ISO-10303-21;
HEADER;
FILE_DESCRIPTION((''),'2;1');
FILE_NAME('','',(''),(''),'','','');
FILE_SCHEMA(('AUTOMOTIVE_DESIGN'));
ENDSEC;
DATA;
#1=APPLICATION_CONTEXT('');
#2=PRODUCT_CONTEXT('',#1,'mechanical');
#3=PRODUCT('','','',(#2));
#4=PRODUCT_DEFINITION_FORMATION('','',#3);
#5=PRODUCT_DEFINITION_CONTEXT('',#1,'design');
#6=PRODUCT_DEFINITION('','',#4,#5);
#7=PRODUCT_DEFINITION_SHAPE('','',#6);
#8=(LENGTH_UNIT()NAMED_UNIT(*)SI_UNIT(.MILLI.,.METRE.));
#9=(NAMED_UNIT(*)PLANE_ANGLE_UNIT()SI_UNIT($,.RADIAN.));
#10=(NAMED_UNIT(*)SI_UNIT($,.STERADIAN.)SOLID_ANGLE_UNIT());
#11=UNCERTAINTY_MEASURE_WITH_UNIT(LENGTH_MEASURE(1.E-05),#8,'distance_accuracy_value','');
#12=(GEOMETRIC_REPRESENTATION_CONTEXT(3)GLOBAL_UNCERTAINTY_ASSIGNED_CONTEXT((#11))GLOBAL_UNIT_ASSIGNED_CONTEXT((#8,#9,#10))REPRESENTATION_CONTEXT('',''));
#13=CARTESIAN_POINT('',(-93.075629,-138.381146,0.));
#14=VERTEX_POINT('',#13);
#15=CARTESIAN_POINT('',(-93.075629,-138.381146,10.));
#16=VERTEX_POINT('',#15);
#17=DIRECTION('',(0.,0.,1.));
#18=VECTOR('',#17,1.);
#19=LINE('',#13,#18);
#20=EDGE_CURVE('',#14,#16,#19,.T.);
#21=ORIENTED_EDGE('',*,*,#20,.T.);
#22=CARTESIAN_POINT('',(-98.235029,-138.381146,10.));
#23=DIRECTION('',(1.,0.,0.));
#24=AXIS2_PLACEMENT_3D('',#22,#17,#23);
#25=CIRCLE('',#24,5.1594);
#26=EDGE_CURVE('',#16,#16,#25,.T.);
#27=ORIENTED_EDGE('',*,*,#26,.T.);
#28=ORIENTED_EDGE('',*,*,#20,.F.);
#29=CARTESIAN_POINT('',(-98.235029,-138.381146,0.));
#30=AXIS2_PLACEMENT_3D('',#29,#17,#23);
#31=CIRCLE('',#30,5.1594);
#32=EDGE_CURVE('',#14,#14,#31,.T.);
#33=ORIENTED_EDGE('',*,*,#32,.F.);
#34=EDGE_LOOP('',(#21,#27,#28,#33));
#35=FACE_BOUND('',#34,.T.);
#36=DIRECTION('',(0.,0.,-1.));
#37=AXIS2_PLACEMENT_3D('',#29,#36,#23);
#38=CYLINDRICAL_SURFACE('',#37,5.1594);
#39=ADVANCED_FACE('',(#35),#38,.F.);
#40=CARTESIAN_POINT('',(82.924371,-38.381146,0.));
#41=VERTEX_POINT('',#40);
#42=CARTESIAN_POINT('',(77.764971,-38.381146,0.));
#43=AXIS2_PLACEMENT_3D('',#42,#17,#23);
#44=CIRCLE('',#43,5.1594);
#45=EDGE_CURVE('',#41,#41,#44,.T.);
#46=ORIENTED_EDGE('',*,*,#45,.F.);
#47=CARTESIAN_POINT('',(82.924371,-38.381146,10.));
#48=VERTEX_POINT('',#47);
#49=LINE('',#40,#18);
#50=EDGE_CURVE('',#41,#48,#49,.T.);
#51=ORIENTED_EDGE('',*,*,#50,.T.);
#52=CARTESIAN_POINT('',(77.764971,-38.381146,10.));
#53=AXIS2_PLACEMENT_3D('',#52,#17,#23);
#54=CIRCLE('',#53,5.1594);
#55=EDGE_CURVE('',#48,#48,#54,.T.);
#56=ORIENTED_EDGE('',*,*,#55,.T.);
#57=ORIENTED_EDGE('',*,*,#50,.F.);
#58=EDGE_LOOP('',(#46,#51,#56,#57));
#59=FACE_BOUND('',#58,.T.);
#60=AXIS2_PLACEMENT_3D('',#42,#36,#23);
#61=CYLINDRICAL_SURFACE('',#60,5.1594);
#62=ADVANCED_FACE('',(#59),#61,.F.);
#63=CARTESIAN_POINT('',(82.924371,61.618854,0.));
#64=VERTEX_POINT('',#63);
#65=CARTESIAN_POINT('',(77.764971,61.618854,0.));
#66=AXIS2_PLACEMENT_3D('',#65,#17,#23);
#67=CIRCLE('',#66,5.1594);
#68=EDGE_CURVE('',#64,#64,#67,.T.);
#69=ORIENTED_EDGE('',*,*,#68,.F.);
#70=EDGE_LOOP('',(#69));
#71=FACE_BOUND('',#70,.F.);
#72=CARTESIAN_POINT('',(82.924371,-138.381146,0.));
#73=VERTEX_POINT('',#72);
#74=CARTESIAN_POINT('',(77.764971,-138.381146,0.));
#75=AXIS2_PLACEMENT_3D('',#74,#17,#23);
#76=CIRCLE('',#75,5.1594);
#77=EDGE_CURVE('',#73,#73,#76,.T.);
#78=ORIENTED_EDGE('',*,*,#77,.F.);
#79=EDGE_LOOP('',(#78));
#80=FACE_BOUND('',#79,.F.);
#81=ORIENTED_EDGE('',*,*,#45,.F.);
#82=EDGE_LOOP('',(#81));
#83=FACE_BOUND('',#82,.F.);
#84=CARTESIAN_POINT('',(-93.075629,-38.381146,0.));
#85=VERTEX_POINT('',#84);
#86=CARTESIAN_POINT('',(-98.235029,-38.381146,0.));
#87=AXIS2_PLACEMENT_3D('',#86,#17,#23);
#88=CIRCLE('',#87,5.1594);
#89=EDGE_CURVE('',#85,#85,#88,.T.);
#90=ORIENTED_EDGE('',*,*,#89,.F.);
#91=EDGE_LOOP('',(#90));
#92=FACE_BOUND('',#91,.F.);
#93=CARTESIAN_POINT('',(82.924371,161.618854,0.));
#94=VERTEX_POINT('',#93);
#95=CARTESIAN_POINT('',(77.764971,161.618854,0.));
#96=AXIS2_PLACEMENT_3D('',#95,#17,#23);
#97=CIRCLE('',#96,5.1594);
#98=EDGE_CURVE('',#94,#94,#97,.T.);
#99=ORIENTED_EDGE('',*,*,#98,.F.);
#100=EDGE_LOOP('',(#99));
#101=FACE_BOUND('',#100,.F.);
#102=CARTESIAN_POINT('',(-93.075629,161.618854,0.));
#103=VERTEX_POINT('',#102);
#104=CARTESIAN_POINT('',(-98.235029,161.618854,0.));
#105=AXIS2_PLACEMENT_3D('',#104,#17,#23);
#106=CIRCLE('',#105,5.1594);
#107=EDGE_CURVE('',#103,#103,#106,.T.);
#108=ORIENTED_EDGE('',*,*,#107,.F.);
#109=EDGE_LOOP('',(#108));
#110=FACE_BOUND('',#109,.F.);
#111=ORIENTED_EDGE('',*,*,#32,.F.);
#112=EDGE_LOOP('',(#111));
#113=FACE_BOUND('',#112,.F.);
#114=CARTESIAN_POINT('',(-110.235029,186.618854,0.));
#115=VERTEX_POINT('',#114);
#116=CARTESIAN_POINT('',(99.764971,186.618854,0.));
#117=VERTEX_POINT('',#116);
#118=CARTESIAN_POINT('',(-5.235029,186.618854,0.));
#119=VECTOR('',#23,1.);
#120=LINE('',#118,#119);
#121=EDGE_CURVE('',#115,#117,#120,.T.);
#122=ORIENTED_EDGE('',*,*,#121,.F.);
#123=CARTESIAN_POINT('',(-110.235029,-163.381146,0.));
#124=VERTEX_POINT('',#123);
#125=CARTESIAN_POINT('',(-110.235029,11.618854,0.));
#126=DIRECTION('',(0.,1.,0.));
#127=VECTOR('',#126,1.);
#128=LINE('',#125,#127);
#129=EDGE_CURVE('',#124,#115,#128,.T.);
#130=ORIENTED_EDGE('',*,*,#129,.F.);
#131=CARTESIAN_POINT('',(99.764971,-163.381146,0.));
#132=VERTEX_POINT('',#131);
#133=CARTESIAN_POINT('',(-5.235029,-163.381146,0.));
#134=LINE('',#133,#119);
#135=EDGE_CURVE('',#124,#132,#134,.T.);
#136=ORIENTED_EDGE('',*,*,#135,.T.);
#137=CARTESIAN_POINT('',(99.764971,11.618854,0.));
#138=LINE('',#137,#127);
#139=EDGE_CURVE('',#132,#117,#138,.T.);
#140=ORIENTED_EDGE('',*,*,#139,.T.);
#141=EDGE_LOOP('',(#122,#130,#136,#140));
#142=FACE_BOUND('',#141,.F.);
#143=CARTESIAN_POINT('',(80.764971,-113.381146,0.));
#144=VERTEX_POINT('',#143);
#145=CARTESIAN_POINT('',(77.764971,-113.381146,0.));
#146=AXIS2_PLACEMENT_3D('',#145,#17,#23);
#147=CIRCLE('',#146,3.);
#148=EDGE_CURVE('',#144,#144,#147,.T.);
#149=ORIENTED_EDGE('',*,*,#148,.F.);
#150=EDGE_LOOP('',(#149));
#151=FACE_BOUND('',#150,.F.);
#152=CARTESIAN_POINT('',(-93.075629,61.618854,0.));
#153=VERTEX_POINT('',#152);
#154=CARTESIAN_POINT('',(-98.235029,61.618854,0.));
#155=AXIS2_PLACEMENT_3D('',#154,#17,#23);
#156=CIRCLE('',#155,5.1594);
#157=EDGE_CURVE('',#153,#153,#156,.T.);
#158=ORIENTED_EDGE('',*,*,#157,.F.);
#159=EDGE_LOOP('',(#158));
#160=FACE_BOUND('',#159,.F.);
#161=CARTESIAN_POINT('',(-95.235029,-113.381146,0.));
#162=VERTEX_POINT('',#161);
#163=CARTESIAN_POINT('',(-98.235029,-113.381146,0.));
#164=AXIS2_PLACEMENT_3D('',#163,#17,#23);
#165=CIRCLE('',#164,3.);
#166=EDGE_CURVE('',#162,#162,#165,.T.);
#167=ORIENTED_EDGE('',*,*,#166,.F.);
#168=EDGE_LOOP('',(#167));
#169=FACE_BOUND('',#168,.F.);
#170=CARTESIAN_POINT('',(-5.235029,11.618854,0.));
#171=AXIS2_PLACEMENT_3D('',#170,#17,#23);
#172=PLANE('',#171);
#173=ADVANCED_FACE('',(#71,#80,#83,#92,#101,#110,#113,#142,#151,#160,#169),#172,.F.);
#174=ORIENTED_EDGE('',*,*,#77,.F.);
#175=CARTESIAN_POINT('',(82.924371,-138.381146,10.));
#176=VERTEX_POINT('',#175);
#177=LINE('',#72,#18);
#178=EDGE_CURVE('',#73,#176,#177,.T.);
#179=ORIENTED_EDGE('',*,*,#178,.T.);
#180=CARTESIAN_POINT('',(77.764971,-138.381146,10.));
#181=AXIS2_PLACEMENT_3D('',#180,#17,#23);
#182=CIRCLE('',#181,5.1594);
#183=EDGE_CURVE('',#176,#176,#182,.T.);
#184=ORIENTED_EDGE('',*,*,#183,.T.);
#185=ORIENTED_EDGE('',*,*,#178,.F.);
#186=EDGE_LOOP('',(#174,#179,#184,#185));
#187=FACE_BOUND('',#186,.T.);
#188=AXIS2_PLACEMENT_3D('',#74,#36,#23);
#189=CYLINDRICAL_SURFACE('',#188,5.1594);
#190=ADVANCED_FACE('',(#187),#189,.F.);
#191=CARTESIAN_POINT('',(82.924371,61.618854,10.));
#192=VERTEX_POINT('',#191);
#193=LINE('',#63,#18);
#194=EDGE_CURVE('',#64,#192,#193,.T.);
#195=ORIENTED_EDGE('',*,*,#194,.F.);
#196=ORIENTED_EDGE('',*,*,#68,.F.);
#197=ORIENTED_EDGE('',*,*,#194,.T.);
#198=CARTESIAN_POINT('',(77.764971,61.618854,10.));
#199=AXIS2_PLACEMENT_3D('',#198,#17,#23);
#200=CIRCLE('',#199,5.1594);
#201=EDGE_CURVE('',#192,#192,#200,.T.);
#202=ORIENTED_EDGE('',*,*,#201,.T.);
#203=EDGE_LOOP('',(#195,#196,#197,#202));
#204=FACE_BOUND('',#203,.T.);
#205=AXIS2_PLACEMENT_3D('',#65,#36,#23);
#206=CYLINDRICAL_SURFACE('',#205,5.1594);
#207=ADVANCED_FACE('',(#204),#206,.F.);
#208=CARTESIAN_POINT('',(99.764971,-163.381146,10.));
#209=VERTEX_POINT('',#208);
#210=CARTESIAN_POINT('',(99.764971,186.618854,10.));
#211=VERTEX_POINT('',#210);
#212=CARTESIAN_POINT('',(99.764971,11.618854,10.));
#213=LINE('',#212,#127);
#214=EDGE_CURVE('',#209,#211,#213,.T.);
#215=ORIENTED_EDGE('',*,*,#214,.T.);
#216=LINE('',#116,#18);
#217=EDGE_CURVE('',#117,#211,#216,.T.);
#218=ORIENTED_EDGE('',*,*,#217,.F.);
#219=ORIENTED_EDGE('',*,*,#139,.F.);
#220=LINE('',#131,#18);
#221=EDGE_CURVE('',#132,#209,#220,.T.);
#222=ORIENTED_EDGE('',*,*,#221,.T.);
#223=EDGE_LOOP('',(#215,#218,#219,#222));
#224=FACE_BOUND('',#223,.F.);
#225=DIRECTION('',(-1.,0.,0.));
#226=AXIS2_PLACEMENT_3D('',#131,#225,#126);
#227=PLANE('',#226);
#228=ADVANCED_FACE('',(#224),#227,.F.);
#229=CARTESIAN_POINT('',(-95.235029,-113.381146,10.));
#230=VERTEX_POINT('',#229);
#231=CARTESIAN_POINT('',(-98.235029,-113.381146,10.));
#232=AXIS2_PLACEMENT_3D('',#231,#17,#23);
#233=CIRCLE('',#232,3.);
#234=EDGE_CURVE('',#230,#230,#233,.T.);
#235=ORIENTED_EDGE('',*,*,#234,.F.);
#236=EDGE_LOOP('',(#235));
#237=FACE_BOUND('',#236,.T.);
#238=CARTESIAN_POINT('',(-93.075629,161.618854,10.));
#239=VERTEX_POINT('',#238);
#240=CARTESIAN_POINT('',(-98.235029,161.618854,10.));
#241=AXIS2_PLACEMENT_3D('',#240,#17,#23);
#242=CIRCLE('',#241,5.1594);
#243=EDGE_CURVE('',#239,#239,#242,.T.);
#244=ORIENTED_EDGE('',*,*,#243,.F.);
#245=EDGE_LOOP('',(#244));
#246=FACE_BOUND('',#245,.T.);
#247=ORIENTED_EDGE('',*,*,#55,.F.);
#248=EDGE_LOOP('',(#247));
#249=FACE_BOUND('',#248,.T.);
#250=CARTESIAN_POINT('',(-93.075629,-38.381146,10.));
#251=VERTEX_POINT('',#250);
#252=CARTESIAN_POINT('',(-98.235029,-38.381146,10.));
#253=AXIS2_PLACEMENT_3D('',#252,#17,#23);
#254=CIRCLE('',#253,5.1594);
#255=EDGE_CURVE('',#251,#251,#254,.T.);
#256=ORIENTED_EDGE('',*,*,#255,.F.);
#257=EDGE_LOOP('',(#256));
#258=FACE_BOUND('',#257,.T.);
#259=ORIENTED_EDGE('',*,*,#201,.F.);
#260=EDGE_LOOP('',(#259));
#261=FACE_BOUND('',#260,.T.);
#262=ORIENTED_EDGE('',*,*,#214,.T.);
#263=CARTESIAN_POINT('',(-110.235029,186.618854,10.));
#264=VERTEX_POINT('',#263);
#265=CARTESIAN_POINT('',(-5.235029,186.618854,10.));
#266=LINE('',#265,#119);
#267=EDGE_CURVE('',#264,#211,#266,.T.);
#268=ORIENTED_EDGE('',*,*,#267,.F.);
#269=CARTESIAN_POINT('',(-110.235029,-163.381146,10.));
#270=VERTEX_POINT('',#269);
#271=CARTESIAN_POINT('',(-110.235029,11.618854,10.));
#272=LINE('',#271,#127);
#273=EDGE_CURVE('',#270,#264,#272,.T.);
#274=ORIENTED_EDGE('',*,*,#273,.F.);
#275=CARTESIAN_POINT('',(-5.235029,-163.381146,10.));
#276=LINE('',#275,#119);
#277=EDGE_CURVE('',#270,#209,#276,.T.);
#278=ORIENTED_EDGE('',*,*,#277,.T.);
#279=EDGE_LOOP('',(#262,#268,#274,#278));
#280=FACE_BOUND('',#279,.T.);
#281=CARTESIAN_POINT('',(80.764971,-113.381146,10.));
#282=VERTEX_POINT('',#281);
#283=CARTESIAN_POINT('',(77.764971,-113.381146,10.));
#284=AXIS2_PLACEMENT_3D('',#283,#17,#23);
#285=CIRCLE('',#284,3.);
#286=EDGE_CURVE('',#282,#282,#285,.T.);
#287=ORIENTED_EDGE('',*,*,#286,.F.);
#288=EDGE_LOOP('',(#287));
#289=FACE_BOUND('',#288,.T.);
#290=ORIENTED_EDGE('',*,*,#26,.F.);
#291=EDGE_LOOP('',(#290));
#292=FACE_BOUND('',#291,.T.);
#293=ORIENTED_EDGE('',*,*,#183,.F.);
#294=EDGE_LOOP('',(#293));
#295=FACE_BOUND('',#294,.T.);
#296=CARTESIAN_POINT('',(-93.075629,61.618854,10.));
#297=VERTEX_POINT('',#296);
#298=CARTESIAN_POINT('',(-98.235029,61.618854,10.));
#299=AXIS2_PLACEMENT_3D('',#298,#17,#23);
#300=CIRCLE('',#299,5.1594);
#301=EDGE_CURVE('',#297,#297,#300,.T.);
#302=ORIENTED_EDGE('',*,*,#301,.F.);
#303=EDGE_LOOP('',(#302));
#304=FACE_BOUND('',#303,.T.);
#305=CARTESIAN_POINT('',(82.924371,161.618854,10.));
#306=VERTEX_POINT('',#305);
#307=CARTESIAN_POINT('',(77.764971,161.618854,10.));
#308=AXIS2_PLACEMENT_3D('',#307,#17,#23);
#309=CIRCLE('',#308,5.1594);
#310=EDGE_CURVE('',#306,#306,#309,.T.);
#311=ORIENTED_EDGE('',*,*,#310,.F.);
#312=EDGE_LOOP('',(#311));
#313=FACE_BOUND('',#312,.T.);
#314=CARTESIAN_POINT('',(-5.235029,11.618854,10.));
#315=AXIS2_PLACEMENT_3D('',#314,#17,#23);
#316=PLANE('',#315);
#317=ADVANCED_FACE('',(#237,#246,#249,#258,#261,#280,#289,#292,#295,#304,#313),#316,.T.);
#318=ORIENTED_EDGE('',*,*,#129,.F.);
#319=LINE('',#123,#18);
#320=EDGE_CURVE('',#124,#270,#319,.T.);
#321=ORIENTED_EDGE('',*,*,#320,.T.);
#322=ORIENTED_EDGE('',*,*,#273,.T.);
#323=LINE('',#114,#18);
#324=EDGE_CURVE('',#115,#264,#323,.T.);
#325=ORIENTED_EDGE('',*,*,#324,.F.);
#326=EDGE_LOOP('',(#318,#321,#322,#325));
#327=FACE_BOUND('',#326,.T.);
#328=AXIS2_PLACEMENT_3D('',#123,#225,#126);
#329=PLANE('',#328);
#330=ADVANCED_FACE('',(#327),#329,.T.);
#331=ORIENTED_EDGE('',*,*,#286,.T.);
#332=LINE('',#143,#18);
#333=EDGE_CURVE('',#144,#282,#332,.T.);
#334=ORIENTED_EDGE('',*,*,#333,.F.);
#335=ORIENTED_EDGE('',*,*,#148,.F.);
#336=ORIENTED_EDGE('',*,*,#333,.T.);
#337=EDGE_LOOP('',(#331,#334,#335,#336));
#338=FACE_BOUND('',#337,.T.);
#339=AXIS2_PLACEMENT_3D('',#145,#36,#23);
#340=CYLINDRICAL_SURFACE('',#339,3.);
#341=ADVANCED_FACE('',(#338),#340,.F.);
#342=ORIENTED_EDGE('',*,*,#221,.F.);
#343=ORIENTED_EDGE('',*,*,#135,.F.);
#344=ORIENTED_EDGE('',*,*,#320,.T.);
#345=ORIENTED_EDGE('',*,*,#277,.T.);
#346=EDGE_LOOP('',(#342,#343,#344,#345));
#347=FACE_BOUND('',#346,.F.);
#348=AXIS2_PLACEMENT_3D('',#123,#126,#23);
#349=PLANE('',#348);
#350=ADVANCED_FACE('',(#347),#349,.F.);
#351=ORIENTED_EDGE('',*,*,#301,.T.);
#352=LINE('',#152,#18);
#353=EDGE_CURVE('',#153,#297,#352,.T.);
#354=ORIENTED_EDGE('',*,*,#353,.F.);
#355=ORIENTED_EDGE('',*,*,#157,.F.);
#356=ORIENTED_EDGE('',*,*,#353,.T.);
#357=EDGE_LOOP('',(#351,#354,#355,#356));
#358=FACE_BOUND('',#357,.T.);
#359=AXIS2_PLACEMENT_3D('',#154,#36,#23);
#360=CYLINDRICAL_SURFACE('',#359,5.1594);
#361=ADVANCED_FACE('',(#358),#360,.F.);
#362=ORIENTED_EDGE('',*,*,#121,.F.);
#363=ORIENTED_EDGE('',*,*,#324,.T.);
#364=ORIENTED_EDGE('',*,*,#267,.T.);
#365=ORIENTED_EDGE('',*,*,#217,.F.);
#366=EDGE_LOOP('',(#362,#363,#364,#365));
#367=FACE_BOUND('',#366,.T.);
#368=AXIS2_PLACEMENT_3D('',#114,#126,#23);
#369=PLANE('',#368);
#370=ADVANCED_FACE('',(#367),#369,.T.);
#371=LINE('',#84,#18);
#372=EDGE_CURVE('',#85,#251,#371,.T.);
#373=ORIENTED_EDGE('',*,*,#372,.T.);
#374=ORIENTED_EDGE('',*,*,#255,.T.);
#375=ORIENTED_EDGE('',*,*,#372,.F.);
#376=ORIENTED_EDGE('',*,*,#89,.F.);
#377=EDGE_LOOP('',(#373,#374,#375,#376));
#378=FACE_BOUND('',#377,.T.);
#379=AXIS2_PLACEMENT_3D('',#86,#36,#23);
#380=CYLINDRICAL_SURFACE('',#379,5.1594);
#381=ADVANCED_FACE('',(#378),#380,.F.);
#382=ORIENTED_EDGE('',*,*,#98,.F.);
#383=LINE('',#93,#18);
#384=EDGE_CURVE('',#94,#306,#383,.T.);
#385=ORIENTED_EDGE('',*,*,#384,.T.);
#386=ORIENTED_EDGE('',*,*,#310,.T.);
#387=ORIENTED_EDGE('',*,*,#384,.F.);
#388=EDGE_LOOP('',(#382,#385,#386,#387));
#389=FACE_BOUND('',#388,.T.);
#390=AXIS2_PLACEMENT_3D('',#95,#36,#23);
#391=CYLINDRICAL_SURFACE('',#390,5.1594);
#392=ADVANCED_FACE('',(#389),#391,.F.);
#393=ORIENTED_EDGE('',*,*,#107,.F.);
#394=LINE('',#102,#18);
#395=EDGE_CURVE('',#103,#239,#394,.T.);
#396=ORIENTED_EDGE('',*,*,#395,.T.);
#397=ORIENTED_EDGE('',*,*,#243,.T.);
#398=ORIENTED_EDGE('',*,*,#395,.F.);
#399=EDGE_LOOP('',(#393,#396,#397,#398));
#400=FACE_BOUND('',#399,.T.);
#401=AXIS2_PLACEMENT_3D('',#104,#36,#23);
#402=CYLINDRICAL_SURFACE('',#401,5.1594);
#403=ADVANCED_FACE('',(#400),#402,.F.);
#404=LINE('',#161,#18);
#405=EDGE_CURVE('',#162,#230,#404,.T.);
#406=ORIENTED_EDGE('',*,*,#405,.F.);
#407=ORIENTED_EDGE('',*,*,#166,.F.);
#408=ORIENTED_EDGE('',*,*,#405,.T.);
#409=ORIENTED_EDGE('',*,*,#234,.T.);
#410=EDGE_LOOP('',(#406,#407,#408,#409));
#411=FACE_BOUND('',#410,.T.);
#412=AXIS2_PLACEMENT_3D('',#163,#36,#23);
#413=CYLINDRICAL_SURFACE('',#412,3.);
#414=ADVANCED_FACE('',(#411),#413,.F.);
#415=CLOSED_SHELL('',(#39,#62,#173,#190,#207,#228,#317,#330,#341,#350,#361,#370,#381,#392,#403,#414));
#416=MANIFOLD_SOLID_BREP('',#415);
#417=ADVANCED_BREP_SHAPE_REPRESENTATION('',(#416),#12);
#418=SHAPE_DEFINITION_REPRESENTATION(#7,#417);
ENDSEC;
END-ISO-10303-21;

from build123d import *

# Parameters (mm, degrees)
F0_W     = 210
F0_H     = 350
F0_R     = 5.1594
F0_R_2   = 3
F1_DEPTH = 10


with BuildPart() as f1:
    # F0 (on Top) → F1 (new body)
    with BuildSketch(Plane.XY):
        with Locations((-5.235029, 11.618854)):
            Rectangle(F0_W, F0_H)
        with Locations((-98.235029, -138.381146)):
            Circle(F0_R, mode=Mode.SUBTRACT)
        with Locations((-98.235029, -113.381146)):
            Circle(F0_R_2, mode=Mode.SUBTRACT)
        with Locations((-98.235029, -38.381146)):
            Circle(F0_R, mode=Mode.SUBTRACT)
        with Locations((77.764971, -138.381146)):
            Circle(F0_R, mode=Mode.SUBTRACT)
        with Locations((77.764971, -113.381146)):
            Circle(F0_R_2, mode=Mode.SUBTRACT)
        with Locations((77.764971, -38.381146)):
            Circle(F0_R, mode=Mode.SUBTRACT)
        with Locations((-98.235029, 61.618854)):
            Circle(F0_R, mode=Mode.SUBTRACT)
        with Locations((-98.235029, 161.618854)):
            Circle(F0_R, mode=Mode.SUBTRACT)
        with Locations((77.764971, 61.618854)):
            Circle(F0_R, mode=Mode.SUBTRACT)
        with Locations((77.764971, 161.618854)):
            Circle(F0_R, mode=Mode.SUBTRACT)
    extrude(amount=F1_DEPTH)


solid = f1.part
